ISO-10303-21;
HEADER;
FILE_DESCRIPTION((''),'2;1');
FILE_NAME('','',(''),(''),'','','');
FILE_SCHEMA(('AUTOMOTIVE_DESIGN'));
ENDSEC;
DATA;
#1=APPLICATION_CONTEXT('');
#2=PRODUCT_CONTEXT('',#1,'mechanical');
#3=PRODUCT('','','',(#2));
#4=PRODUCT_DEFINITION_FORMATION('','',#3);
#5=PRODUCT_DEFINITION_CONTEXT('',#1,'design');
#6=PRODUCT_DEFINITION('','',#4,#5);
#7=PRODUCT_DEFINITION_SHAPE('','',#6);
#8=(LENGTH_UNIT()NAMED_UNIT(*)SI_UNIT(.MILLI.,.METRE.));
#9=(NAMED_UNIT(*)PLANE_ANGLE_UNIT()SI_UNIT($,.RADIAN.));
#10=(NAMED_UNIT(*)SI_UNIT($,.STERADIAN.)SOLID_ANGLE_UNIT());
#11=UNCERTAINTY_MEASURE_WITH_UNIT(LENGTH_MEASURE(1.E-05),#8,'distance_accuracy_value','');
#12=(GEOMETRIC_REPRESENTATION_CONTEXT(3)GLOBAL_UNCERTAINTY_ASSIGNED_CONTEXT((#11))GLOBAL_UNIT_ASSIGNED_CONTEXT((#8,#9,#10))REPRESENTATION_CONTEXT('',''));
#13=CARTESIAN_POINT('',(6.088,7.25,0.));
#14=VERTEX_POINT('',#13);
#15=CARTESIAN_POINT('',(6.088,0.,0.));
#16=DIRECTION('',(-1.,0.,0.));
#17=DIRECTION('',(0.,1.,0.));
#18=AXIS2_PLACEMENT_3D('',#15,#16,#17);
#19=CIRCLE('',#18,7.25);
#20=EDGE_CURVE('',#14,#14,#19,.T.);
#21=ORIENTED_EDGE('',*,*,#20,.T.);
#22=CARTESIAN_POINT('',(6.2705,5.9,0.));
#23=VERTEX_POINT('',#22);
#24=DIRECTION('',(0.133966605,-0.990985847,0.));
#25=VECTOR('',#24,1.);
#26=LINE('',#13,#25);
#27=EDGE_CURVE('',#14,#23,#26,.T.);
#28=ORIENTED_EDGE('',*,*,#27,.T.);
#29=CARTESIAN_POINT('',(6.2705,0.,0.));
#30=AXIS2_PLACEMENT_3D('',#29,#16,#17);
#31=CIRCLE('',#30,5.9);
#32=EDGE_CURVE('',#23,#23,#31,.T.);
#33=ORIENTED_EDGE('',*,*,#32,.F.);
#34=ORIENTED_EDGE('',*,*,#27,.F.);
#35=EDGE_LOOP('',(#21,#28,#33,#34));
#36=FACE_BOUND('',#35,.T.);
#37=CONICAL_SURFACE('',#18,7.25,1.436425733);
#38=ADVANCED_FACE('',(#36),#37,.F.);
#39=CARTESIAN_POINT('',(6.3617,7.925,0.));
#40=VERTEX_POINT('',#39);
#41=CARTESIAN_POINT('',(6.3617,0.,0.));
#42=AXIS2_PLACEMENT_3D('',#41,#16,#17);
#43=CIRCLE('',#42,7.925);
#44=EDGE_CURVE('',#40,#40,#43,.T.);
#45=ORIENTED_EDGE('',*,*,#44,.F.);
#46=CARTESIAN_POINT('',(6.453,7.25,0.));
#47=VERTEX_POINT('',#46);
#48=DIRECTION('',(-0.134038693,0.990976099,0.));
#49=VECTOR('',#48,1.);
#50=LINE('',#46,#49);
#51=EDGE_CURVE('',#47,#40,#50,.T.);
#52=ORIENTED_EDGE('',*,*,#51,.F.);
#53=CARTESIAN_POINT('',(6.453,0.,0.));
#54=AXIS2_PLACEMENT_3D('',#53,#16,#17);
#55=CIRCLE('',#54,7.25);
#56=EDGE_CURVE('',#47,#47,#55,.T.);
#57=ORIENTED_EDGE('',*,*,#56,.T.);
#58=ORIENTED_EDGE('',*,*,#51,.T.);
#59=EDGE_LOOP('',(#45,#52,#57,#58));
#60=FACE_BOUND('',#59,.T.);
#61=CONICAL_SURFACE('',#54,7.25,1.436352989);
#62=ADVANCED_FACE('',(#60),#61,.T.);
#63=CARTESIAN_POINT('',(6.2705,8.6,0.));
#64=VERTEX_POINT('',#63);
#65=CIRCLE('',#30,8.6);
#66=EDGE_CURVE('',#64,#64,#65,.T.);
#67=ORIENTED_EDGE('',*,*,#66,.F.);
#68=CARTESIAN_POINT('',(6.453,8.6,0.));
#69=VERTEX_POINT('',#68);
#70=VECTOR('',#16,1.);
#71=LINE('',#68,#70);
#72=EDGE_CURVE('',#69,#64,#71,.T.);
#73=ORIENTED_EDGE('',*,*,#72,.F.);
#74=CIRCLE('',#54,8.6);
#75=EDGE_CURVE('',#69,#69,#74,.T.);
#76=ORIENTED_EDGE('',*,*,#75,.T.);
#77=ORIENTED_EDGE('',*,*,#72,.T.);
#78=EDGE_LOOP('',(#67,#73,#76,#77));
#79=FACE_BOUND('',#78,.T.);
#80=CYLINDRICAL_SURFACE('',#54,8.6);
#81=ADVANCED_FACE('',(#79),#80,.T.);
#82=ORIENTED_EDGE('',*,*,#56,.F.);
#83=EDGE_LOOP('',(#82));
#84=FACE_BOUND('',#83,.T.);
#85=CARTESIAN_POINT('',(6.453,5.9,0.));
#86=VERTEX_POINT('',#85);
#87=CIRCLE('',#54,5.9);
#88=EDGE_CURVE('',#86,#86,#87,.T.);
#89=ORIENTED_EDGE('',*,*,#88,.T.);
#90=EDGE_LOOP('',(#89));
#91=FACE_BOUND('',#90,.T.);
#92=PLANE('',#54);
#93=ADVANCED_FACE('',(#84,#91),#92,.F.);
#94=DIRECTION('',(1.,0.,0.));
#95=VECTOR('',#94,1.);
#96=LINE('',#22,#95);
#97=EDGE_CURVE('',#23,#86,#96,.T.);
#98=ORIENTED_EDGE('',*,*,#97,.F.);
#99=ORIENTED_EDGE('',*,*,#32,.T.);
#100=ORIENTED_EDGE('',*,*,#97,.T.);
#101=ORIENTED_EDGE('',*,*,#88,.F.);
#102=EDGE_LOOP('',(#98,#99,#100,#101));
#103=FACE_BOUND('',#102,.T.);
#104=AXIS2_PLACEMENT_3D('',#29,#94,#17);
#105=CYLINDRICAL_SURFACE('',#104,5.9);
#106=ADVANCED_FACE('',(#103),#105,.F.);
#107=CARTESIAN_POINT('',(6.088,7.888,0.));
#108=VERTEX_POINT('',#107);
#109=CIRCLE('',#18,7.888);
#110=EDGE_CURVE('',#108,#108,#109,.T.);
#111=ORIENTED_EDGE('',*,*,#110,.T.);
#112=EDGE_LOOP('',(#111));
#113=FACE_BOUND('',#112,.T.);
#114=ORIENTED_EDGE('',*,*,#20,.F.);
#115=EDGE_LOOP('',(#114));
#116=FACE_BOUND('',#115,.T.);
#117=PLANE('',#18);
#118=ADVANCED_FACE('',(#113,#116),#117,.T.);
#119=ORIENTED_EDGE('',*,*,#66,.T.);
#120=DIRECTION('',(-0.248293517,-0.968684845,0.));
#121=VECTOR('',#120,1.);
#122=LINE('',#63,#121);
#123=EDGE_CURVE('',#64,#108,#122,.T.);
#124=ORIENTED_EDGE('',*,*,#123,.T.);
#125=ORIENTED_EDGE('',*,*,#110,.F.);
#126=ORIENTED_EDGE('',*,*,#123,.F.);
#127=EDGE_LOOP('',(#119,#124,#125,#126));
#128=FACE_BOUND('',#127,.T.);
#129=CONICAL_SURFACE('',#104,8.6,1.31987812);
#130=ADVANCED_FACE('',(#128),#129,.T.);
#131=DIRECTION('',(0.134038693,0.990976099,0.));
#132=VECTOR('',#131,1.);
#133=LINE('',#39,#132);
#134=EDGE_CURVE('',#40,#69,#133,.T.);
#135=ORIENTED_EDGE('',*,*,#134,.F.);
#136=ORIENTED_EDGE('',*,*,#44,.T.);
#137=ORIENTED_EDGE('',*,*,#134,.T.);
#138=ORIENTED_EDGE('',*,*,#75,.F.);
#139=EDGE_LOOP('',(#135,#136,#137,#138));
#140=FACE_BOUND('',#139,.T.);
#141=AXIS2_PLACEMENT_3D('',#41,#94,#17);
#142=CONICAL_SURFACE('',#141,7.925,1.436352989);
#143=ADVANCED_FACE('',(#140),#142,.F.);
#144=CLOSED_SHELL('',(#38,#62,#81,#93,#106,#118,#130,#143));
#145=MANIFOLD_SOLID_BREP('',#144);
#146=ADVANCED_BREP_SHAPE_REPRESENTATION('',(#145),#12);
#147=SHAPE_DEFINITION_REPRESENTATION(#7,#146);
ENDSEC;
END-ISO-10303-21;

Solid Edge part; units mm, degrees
sketch "Sketch1" plane through (0, 0, 0) normal (0, 0, 1) x (1, 0, 0)
  line L0 (6.088, 7.888) -> (6.088, 7.25)
  line L1 (6.088, 7.25) -> (6.2705, 5.9)
  line L2 (6.2705, 5.9) -> (6.453, 5.9)
  line L3 (6.453, 5.9) -> (6.453, 7.25)
  line L4 (6.453, 7.25) -> (6.3617, 7.925)
  line L5 (6.3617, 7.925) -> (6.453, 8.6)
  line L6 (6.453, 8.6) -> (6.2705, 8.6)
  line L7 (6.2705, 8.6) -> (6.088, 7.888)
revolve "RevolvedProtrusion1" add sketch "Sketch1" angle 360 about axis through (50, 0, 0) along (-1, 0, 0)
